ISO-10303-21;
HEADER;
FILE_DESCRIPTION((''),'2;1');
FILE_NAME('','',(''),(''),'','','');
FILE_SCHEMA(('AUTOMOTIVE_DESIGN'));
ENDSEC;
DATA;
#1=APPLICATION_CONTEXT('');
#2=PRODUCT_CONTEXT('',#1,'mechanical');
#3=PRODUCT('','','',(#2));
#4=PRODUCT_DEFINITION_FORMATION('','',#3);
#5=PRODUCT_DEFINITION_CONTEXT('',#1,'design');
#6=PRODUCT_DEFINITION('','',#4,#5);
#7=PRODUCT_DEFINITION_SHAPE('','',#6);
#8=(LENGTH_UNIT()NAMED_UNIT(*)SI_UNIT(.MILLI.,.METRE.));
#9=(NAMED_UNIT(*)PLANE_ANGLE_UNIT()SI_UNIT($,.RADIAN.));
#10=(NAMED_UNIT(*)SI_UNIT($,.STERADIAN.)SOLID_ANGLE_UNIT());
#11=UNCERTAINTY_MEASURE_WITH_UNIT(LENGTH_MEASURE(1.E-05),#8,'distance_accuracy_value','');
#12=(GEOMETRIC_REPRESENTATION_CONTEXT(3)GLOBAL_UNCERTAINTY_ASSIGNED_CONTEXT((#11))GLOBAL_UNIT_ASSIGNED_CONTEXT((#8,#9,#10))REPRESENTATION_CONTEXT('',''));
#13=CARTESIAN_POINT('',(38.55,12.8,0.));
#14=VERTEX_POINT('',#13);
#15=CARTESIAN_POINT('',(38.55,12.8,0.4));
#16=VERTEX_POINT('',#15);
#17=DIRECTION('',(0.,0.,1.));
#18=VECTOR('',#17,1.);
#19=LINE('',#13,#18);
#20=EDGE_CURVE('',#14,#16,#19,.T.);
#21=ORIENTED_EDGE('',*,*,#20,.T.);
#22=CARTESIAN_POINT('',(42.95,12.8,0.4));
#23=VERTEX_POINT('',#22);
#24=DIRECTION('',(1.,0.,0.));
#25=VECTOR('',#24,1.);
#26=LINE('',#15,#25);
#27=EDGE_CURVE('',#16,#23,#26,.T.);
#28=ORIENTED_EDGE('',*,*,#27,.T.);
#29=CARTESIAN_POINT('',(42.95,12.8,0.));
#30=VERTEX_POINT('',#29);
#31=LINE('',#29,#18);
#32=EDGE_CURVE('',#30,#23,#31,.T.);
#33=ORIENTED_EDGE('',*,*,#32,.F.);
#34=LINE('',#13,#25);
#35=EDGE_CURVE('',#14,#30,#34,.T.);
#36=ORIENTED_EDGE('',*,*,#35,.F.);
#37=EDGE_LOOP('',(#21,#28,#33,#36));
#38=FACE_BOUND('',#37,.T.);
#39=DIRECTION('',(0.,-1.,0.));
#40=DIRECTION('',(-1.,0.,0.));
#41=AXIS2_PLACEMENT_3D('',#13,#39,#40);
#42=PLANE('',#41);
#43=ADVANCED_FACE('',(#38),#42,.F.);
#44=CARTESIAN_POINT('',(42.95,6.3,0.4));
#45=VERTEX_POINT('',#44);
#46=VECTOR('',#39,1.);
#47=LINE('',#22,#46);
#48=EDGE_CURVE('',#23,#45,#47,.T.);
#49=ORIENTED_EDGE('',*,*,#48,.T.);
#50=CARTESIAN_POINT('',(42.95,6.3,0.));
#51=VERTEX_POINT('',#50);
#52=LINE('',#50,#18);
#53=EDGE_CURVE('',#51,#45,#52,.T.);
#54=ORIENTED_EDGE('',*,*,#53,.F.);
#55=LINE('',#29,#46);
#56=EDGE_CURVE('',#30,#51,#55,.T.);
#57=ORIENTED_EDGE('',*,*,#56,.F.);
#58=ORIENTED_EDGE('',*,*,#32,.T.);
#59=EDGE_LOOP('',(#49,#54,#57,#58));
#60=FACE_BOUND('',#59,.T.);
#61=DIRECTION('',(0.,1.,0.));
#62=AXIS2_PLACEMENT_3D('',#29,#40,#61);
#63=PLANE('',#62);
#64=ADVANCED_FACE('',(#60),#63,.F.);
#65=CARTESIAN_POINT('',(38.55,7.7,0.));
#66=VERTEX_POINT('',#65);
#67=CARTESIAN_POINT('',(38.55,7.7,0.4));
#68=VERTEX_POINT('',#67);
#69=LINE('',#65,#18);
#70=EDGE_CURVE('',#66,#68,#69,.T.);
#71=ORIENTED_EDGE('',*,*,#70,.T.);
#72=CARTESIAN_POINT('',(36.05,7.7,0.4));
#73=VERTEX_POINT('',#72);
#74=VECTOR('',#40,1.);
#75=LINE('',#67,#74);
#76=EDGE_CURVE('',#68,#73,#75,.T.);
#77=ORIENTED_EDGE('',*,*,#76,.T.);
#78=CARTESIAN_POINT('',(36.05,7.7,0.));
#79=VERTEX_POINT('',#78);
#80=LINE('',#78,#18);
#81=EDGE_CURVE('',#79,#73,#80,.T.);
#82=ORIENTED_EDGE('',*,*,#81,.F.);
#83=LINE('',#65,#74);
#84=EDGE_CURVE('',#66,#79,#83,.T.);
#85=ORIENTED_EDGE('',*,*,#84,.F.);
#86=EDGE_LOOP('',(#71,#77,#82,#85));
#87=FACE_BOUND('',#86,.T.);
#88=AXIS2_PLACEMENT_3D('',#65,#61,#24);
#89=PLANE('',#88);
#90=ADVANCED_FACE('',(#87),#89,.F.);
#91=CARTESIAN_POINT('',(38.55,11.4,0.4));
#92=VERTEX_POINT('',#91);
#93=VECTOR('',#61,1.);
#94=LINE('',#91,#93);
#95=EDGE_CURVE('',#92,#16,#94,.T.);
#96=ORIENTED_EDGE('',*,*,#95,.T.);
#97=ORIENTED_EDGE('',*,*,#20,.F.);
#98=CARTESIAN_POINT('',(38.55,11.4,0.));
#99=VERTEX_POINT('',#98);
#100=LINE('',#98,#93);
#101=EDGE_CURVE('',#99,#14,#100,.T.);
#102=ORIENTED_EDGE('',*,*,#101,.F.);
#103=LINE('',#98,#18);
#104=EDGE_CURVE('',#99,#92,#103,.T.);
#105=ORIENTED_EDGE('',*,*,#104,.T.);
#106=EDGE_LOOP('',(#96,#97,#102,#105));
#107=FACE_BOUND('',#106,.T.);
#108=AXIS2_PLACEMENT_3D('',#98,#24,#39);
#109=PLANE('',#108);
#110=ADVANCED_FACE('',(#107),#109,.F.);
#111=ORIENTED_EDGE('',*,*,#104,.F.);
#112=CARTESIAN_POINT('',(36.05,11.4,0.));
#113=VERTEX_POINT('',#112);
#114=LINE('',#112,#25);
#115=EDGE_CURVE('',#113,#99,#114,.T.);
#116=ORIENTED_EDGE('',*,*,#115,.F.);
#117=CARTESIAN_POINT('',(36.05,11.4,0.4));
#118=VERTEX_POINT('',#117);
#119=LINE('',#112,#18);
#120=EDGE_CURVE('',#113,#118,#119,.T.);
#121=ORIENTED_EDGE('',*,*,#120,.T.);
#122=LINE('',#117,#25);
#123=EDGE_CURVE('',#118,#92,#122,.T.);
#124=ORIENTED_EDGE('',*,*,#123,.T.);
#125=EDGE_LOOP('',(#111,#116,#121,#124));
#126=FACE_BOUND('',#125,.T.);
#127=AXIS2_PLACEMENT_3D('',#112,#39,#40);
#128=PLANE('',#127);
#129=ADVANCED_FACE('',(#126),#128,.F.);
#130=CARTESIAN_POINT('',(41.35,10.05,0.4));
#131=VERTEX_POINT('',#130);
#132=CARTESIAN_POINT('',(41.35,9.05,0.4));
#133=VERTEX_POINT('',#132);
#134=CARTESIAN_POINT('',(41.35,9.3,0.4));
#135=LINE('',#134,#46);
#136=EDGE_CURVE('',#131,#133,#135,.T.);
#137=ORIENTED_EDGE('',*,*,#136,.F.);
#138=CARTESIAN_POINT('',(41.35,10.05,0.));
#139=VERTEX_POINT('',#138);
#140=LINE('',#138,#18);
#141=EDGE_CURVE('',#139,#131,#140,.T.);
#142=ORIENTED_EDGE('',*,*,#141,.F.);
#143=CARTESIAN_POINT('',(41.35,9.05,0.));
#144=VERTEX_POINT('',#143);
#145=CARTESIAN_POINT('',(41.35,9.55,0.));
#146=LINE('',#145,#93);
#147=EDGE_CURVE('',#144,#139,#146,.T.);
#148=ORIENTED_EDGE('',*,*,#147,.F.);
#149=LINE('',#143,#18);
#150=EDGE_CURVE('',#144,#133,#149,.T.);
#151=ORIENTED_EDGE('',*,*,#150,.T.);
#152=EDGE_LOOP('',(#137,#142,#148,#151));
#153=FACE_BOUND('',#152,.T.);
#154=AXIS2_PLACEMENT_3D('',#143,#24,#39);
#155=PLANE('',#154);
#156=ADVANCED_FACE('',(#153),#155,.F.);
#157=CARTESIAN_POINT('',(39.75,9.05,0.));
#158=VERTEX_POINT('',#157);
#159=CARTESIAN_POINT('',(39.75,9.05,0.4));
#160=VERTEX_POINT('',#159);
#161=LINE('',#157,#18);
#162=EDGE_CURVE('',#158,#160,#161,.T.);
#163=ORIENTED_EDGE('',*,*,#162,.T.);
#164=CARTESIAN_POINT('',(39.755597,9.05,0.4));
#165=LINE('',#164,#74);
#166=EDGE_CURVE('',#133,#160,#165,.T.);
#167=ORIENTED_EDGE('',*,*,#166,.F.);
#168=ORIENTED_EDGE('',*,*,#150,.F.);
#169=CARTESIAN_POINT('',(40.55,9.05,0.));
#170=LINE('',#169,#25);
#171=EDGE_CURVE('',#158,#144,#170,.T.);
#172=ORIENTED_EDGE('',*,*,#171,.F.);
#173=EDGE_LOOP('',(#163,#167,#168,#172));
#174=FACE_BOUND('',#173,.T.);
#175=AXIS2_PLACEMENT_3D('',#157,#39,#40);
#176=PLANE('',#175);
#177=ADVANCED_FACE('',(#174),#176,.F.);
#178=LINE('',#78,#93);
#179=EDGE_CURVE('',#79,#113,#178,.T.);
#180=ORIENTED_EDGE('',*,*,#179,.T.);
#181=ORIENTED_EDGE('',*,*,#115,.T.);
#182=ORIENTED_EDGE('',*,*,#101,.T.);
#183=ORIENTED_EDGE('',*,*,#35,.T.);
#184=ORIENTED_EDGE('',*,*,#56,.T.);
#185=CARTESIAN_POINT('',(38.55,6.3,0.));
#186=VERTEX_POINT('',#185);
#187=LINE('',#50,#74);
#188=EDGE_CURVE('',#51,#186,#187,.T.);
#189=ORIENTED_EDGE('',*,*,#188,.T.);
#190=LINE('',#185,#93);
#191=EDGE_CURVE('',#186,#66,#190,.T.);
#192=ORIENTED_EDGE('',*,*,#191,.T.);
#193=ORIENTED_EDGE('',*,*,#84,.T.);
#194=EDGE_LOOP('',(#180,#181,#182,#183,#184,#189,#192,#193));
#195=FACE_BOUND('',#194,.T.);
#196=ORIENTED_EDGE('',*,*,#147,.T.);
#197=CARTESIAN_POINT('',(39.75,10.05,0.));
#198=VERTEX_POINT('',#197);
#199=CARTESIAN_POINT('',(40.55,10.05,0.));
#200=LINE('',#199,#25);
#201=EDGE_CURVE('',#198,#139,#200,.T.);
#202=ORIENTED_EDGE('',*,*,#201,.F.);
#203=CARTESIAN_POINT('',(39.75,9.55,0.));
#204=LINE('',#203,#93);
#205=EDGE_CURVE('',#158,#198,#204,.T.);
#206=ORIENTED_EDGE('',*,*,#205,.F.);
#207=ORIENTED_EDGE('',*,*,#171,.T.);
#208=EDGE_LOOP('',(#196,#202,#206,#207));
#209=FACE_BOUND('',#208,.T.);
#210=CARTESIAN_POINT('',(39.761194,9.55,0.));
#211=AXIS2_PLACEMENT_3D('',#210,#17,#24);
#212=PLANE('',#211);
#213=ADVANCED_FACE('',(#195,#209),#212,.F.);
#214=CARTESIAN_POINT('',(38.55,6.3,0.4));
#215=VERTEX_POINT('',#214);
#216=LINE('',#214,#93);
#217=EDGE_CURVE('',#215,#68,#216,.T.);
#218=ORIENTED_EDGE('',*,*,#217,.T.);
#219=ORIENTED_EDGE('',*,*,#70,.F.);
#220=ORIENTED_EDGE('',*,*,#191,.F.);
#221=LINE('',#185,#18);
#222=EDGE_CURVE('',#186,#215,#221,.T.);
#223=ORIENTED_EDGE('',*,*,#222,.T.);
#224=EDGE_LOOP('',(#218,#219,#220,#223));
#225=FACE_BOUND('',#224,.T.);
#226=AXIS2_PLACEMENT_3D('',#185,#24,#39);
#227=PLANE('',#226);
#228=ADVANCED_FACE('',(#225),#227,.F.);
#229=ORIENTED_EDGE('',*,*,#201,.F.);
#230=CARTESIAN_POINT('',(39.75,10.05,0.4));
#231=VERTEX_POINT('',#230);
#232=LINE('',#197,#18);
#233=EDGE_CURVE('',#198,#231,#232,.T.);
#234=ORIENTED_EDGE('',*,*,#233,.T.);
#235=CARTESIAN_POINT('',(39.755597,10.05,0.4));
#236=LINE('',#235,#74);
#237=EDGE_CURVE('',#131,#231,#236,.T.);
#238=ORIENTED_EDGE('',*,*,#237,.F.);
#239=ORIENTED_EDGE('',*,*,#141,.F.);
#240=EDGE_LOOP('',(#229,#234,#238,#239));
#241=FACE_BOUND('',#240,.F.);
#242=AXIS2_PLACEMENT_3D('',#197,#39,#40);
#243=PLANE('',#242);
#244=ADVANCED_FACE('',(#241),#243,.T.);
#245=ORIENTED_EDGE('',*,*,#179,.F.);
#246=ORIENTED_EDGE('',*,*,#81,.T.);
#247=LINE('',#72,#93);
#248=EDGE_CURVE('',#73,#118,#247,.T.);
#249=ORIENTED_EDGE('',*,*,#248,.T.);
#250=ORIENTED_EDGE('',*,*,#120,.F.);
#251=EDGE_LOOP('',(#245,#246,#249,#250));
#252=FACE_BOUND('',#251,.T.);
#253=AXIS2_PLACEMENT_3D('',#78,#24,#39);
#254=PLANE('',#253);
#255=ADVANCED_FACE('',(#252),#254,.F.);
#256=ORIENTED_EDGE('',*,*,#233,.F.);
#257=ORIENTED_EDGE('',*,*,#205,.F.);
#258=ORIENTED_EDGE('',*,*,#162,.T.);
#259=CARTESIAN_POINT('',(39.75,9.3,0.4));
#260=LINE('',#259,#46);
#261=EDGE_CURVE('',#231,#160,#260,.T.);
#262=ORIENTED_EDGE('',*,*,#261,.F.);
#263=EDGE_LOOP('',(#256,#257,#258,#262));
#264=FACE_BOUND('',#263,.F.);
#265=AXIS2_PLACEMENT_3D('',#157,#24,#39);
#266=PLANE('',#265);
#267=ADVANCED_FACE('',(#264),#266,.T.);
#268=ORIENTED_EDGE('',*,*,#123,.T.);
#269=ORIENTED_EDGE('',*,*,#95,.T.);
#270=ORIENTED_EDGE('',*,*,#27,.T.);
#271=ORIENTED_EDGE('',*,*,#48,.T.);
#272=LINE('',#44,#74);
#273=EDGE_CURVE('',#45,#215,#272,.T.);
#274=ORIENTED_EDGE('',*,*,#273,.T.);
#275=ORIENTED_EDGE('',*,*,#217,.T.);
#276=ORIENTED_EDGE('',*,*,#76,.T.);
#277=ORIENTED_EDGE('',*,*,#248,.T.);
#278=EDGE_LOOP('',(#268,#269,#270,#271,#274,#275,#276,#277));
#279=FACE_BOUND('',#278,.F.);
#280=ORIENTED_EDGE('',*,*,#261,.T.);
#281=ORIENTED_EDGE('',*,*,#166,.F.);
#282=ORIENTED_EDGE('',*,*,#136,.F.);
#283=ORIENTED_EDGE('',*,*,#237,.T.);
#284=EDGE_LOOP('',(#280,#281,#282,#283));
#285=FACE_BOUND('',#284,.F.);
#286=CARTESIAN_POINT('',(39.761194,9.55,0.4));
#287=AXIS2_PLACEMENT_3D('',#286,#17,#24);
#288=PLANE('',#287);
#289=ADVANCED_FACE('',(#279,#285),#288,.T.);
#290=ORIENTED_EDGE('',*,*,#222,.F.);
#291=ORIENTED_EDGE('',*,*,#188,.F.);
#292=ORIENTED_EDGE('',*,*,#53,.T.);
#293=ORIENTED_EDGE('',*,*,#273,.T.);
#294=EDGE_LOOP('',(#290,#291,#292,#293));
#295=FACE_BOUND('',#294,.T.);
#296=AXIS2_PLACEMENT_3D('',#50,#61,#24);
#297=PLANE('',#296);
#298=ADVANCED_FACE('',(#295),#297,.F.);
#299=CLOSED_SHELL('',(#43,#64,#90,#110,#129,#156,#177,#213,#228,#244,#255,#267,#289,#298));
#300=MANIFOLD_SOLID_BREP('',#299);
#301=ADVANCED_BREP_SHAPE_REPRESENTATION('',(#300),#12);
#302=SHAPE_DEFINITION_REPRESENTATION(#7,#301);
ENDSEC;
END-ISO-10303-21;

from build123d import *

# Parameters (mm, degrees)
PAD002_DEPTH    = 0.4
SKETCH010_W     = 1.6
SKETCH010_H     = 1
POCKET006_DEPTH = 0.401


with BuildPart() as contact:
    # Sketch009 (on Face1 of ShapeBinder) → Pad002 (new body)
    with BuildSketch(Plane(origin=(0, 0, 0), x_dir=(1, 0, 0), z_dir=(0, 0, -1))):
        Polygon((36.05, 11.4), (38.55, 11.4), (38.55, 12.8), (42.95, 12.8), (42.95, 6.3), (38.55, 6.3), (38.55, 7.7), (36.05, 7.7), align=None)
    extrude(amount=-PAD002_DEPTH)

    # Sketch010 (on Face9 of Pad002) → Pocket006 (cut, through all)
    with BuildSketch(Plane(origin=(0, 0, 0), x_dir=(1, 0, 0), z_dir=(0, 0, -1))):
        with Locations((40.55, 9.55)):
            Rectangle(SKETCH010_W, SKETCH010_H)
    extrude(amount=-POCKET006_DEPTH, mode=Mode.SUBTRACT)


with BuildPart() as mirror002:
    # mirror002: instance of contact
    add(contact.part.mirror(Plane(origin=(-38.55, 0, 15), x_dir=(-1, 0, 0), z_dir=(0, -1, 0))))


solid = mirror002.part
